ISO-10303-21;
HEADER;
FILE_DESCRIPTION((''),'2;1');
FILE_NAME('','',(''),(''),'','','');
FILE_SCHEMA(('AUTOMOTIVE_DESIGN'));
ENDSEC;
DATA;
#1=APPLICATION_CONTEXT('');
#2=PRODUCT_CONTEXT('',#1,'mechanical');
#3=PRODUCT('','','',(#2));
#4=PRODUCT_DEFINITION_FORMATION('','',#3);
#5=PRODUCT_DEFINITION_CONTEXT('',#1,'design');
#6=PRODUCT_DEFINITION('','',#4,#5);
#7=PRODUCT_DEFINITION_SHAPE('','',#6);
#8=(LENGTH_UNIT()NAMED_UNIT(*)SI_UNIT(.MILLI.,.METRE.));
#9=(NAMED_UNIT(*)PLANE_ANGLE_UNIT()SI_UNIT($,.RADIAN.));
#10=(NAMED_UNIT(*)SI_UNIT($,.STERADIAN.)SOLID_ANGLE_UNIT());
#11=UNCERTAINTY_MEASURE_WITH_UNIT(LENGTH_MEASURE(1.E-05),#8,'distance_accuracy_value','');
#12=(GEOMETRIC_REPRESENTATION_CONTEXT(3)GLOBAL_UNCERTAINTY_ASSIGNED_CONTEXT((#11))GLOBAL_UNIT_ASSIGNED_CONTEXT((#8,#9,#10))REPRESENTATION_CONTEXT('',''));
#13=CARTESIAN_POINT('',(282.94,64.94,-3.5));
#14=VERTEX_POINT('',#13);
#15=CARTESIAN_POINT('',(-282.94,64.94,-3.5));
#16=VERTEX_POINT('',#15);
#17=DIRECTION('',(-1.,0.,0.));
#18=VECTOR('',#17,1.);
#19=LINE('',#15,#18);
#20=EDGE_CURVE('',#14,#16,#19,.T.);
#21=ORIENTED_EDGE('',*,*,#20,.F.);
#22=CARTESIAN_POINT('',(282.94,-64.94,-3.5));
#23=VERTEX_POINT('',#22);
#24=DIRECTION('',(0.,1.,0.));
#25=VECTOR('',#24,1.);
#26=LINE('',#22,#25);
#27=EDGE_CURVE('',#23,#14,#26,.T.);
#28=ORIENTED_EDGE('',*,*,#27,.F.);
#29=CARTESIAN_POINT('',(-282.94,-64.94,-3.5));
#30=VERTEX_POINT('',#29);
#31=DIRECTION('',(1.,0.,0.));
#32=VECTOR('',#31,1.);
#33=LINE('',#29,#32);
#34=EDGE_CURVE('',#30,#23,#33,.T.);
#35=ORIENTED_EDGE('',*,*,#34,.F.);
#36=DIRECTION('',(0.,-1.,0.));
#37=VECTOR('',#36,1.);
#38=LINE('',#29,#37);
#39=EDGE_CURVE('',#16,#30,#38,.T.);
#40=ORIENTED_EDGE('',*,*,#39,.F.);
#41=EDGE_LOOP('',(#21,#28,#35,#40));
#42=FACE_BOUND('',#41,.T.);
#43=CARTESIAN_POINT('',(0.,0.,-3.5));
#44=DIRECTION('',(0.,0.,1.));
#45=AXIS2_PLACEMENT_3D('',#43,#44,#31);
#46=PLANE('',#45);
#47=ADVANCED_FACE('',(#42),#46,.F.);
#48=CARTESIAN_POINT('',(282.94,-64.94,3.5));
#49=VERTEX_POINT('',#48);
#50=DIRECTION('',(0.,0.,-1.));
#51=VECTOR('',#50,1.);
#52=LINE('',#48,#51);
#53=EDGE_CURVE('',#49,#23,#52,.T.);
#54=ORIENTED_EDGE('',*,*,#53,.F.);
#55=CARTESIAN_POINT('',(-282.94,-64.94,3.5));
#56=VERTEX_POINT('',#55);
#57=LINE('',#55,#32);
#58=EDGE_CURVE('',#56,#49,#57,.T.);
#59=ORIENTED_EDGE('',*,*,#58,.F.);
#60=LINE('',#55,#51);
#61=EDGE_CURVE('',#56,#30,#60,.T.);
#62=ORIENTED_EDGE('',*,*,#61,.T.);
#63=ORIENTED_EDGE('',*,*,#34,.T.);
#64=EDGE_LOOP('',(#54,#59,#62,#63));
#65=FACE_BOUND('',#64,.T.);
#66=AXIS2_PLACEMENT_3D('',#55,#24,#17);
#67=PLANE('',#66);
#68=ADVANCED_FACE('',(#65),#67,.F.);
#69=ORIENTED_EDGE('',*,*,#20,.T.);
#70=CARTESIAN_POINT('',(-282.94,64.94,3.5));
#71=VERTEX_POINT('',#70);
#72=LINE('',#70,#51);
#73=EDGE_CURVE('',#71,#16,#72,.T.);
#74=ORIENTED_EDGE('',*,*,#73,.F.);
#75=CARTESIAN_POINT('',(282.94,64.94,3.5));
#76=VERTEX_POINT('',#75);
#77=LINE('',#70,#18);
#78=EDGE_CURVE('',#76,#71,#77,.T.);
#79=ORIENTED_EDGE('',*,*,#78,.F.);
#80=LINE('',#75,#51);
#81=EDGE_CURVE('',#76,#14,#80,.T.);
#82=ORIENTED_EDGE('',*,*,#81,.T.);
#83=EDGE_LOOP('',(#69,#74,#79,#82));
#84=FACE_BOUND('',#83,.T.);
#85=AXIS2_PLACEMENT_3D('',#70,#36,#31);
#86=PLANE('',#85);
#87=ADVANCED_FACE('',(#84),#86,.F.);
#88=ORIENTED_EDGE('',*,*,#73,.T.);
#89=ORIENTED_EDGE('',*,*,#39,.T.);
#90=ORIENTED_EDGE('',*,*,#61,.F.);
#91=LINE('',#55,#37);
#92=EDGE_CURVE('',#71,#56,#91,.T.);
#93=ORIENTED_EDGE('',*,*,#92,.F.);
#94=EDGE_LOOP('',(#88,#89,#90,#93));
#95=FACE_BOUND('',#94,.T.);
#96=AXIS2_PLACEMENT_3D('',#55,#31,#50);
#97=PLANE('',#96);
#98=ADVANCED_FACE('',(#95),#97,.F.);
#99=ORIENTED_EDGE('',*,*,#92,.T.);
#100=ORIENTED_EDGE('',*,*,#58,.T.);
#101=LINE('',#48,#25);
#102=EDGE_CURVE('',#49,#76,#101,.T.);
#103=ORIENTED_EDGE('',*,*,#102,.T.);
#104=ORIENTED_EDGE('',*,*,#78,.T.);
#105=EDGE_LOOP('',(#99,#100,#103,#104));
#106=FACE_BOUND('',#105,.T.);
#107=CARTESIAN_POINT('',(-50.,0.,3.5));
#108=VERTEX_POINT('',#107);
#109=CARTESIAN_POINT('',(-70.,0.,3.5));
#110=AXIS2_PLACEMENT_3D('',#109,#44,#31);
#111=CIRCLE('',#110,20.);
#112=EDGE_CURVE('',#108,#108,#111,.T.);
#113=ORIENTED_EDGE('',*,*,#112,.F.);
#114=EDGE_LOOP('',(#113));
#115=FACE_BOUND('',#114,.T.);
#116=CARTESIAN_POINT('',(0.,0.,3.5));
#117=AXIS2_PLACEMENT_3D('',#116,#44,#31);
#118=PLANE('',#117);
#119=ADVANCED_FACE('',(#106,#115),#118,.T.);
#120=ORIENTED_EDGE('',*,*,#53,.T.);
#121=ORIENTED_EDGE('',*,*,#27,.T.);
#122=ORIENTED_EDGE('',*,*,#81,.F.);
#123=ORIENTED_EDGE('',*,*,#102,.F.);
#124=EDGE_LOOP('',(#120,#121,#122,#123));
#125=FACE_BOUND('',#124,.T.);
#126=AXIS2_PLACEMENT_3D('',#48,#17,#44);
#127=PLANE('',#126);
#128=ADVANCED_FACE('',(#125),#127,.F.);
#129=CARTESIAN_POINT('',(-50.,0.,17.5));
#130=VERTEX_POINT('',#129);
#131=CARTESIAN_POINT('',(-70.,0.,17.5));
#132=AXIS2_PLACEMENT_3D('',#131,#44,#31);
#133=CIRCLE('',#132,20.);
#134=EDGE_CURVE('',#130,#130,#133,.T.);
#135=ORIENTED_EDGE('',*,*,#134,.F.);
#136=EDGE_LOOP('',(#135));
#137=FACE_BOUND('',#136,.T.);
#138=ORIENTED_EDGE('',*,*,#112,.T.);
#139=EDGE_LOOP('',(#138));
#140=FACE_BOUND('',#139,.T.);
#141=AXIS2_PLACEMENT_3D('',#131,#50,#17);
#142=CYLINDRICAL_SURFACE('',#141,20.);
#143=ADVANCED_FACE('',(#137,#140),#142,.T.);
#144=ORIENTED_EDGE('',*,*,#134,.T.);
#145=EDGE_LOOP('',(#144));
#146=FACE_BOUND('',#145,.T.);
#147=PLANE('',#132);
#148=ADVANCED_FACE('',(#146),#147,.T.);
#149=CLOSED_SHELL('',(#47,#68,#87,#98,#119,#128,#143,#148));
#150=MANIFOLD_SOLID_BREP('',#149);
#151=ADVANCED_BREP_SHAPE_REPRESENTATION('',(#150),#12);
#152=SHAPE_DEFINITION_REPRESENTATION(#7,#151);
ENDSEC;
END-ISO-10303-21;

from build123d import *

# Parameters (mm, degrees)
SKETCH1_W           = 565.88
SKETCH1_H           = 129.88
BOSS_EXTRUDE1_DEPTH = 3.5
SKETCH2_R           = 20
BOSS_EXTRUDE2_DEPTH = 14


with BuildPart() as part:
    # Sketch1 → Boss-Extrude1 (new, symmetric)
    with BuildSketch(Plane.XY):
        Rectangle(SKETCH1_W, SKETCH1_H)
    extrude(amount=BOSS_EXTRUDE1_DEPTH, both=True)

    # Sketch2 → Boss-Extrude2 (add)
    with BuildSketch(Plane.XY.offset(3.5)):
        with Locations((-70, 0)):
            Circle(SKETCH2_R)
    extrude(amount=BOSS_EXTRUDE2_DEPTH)


solid = part.part
